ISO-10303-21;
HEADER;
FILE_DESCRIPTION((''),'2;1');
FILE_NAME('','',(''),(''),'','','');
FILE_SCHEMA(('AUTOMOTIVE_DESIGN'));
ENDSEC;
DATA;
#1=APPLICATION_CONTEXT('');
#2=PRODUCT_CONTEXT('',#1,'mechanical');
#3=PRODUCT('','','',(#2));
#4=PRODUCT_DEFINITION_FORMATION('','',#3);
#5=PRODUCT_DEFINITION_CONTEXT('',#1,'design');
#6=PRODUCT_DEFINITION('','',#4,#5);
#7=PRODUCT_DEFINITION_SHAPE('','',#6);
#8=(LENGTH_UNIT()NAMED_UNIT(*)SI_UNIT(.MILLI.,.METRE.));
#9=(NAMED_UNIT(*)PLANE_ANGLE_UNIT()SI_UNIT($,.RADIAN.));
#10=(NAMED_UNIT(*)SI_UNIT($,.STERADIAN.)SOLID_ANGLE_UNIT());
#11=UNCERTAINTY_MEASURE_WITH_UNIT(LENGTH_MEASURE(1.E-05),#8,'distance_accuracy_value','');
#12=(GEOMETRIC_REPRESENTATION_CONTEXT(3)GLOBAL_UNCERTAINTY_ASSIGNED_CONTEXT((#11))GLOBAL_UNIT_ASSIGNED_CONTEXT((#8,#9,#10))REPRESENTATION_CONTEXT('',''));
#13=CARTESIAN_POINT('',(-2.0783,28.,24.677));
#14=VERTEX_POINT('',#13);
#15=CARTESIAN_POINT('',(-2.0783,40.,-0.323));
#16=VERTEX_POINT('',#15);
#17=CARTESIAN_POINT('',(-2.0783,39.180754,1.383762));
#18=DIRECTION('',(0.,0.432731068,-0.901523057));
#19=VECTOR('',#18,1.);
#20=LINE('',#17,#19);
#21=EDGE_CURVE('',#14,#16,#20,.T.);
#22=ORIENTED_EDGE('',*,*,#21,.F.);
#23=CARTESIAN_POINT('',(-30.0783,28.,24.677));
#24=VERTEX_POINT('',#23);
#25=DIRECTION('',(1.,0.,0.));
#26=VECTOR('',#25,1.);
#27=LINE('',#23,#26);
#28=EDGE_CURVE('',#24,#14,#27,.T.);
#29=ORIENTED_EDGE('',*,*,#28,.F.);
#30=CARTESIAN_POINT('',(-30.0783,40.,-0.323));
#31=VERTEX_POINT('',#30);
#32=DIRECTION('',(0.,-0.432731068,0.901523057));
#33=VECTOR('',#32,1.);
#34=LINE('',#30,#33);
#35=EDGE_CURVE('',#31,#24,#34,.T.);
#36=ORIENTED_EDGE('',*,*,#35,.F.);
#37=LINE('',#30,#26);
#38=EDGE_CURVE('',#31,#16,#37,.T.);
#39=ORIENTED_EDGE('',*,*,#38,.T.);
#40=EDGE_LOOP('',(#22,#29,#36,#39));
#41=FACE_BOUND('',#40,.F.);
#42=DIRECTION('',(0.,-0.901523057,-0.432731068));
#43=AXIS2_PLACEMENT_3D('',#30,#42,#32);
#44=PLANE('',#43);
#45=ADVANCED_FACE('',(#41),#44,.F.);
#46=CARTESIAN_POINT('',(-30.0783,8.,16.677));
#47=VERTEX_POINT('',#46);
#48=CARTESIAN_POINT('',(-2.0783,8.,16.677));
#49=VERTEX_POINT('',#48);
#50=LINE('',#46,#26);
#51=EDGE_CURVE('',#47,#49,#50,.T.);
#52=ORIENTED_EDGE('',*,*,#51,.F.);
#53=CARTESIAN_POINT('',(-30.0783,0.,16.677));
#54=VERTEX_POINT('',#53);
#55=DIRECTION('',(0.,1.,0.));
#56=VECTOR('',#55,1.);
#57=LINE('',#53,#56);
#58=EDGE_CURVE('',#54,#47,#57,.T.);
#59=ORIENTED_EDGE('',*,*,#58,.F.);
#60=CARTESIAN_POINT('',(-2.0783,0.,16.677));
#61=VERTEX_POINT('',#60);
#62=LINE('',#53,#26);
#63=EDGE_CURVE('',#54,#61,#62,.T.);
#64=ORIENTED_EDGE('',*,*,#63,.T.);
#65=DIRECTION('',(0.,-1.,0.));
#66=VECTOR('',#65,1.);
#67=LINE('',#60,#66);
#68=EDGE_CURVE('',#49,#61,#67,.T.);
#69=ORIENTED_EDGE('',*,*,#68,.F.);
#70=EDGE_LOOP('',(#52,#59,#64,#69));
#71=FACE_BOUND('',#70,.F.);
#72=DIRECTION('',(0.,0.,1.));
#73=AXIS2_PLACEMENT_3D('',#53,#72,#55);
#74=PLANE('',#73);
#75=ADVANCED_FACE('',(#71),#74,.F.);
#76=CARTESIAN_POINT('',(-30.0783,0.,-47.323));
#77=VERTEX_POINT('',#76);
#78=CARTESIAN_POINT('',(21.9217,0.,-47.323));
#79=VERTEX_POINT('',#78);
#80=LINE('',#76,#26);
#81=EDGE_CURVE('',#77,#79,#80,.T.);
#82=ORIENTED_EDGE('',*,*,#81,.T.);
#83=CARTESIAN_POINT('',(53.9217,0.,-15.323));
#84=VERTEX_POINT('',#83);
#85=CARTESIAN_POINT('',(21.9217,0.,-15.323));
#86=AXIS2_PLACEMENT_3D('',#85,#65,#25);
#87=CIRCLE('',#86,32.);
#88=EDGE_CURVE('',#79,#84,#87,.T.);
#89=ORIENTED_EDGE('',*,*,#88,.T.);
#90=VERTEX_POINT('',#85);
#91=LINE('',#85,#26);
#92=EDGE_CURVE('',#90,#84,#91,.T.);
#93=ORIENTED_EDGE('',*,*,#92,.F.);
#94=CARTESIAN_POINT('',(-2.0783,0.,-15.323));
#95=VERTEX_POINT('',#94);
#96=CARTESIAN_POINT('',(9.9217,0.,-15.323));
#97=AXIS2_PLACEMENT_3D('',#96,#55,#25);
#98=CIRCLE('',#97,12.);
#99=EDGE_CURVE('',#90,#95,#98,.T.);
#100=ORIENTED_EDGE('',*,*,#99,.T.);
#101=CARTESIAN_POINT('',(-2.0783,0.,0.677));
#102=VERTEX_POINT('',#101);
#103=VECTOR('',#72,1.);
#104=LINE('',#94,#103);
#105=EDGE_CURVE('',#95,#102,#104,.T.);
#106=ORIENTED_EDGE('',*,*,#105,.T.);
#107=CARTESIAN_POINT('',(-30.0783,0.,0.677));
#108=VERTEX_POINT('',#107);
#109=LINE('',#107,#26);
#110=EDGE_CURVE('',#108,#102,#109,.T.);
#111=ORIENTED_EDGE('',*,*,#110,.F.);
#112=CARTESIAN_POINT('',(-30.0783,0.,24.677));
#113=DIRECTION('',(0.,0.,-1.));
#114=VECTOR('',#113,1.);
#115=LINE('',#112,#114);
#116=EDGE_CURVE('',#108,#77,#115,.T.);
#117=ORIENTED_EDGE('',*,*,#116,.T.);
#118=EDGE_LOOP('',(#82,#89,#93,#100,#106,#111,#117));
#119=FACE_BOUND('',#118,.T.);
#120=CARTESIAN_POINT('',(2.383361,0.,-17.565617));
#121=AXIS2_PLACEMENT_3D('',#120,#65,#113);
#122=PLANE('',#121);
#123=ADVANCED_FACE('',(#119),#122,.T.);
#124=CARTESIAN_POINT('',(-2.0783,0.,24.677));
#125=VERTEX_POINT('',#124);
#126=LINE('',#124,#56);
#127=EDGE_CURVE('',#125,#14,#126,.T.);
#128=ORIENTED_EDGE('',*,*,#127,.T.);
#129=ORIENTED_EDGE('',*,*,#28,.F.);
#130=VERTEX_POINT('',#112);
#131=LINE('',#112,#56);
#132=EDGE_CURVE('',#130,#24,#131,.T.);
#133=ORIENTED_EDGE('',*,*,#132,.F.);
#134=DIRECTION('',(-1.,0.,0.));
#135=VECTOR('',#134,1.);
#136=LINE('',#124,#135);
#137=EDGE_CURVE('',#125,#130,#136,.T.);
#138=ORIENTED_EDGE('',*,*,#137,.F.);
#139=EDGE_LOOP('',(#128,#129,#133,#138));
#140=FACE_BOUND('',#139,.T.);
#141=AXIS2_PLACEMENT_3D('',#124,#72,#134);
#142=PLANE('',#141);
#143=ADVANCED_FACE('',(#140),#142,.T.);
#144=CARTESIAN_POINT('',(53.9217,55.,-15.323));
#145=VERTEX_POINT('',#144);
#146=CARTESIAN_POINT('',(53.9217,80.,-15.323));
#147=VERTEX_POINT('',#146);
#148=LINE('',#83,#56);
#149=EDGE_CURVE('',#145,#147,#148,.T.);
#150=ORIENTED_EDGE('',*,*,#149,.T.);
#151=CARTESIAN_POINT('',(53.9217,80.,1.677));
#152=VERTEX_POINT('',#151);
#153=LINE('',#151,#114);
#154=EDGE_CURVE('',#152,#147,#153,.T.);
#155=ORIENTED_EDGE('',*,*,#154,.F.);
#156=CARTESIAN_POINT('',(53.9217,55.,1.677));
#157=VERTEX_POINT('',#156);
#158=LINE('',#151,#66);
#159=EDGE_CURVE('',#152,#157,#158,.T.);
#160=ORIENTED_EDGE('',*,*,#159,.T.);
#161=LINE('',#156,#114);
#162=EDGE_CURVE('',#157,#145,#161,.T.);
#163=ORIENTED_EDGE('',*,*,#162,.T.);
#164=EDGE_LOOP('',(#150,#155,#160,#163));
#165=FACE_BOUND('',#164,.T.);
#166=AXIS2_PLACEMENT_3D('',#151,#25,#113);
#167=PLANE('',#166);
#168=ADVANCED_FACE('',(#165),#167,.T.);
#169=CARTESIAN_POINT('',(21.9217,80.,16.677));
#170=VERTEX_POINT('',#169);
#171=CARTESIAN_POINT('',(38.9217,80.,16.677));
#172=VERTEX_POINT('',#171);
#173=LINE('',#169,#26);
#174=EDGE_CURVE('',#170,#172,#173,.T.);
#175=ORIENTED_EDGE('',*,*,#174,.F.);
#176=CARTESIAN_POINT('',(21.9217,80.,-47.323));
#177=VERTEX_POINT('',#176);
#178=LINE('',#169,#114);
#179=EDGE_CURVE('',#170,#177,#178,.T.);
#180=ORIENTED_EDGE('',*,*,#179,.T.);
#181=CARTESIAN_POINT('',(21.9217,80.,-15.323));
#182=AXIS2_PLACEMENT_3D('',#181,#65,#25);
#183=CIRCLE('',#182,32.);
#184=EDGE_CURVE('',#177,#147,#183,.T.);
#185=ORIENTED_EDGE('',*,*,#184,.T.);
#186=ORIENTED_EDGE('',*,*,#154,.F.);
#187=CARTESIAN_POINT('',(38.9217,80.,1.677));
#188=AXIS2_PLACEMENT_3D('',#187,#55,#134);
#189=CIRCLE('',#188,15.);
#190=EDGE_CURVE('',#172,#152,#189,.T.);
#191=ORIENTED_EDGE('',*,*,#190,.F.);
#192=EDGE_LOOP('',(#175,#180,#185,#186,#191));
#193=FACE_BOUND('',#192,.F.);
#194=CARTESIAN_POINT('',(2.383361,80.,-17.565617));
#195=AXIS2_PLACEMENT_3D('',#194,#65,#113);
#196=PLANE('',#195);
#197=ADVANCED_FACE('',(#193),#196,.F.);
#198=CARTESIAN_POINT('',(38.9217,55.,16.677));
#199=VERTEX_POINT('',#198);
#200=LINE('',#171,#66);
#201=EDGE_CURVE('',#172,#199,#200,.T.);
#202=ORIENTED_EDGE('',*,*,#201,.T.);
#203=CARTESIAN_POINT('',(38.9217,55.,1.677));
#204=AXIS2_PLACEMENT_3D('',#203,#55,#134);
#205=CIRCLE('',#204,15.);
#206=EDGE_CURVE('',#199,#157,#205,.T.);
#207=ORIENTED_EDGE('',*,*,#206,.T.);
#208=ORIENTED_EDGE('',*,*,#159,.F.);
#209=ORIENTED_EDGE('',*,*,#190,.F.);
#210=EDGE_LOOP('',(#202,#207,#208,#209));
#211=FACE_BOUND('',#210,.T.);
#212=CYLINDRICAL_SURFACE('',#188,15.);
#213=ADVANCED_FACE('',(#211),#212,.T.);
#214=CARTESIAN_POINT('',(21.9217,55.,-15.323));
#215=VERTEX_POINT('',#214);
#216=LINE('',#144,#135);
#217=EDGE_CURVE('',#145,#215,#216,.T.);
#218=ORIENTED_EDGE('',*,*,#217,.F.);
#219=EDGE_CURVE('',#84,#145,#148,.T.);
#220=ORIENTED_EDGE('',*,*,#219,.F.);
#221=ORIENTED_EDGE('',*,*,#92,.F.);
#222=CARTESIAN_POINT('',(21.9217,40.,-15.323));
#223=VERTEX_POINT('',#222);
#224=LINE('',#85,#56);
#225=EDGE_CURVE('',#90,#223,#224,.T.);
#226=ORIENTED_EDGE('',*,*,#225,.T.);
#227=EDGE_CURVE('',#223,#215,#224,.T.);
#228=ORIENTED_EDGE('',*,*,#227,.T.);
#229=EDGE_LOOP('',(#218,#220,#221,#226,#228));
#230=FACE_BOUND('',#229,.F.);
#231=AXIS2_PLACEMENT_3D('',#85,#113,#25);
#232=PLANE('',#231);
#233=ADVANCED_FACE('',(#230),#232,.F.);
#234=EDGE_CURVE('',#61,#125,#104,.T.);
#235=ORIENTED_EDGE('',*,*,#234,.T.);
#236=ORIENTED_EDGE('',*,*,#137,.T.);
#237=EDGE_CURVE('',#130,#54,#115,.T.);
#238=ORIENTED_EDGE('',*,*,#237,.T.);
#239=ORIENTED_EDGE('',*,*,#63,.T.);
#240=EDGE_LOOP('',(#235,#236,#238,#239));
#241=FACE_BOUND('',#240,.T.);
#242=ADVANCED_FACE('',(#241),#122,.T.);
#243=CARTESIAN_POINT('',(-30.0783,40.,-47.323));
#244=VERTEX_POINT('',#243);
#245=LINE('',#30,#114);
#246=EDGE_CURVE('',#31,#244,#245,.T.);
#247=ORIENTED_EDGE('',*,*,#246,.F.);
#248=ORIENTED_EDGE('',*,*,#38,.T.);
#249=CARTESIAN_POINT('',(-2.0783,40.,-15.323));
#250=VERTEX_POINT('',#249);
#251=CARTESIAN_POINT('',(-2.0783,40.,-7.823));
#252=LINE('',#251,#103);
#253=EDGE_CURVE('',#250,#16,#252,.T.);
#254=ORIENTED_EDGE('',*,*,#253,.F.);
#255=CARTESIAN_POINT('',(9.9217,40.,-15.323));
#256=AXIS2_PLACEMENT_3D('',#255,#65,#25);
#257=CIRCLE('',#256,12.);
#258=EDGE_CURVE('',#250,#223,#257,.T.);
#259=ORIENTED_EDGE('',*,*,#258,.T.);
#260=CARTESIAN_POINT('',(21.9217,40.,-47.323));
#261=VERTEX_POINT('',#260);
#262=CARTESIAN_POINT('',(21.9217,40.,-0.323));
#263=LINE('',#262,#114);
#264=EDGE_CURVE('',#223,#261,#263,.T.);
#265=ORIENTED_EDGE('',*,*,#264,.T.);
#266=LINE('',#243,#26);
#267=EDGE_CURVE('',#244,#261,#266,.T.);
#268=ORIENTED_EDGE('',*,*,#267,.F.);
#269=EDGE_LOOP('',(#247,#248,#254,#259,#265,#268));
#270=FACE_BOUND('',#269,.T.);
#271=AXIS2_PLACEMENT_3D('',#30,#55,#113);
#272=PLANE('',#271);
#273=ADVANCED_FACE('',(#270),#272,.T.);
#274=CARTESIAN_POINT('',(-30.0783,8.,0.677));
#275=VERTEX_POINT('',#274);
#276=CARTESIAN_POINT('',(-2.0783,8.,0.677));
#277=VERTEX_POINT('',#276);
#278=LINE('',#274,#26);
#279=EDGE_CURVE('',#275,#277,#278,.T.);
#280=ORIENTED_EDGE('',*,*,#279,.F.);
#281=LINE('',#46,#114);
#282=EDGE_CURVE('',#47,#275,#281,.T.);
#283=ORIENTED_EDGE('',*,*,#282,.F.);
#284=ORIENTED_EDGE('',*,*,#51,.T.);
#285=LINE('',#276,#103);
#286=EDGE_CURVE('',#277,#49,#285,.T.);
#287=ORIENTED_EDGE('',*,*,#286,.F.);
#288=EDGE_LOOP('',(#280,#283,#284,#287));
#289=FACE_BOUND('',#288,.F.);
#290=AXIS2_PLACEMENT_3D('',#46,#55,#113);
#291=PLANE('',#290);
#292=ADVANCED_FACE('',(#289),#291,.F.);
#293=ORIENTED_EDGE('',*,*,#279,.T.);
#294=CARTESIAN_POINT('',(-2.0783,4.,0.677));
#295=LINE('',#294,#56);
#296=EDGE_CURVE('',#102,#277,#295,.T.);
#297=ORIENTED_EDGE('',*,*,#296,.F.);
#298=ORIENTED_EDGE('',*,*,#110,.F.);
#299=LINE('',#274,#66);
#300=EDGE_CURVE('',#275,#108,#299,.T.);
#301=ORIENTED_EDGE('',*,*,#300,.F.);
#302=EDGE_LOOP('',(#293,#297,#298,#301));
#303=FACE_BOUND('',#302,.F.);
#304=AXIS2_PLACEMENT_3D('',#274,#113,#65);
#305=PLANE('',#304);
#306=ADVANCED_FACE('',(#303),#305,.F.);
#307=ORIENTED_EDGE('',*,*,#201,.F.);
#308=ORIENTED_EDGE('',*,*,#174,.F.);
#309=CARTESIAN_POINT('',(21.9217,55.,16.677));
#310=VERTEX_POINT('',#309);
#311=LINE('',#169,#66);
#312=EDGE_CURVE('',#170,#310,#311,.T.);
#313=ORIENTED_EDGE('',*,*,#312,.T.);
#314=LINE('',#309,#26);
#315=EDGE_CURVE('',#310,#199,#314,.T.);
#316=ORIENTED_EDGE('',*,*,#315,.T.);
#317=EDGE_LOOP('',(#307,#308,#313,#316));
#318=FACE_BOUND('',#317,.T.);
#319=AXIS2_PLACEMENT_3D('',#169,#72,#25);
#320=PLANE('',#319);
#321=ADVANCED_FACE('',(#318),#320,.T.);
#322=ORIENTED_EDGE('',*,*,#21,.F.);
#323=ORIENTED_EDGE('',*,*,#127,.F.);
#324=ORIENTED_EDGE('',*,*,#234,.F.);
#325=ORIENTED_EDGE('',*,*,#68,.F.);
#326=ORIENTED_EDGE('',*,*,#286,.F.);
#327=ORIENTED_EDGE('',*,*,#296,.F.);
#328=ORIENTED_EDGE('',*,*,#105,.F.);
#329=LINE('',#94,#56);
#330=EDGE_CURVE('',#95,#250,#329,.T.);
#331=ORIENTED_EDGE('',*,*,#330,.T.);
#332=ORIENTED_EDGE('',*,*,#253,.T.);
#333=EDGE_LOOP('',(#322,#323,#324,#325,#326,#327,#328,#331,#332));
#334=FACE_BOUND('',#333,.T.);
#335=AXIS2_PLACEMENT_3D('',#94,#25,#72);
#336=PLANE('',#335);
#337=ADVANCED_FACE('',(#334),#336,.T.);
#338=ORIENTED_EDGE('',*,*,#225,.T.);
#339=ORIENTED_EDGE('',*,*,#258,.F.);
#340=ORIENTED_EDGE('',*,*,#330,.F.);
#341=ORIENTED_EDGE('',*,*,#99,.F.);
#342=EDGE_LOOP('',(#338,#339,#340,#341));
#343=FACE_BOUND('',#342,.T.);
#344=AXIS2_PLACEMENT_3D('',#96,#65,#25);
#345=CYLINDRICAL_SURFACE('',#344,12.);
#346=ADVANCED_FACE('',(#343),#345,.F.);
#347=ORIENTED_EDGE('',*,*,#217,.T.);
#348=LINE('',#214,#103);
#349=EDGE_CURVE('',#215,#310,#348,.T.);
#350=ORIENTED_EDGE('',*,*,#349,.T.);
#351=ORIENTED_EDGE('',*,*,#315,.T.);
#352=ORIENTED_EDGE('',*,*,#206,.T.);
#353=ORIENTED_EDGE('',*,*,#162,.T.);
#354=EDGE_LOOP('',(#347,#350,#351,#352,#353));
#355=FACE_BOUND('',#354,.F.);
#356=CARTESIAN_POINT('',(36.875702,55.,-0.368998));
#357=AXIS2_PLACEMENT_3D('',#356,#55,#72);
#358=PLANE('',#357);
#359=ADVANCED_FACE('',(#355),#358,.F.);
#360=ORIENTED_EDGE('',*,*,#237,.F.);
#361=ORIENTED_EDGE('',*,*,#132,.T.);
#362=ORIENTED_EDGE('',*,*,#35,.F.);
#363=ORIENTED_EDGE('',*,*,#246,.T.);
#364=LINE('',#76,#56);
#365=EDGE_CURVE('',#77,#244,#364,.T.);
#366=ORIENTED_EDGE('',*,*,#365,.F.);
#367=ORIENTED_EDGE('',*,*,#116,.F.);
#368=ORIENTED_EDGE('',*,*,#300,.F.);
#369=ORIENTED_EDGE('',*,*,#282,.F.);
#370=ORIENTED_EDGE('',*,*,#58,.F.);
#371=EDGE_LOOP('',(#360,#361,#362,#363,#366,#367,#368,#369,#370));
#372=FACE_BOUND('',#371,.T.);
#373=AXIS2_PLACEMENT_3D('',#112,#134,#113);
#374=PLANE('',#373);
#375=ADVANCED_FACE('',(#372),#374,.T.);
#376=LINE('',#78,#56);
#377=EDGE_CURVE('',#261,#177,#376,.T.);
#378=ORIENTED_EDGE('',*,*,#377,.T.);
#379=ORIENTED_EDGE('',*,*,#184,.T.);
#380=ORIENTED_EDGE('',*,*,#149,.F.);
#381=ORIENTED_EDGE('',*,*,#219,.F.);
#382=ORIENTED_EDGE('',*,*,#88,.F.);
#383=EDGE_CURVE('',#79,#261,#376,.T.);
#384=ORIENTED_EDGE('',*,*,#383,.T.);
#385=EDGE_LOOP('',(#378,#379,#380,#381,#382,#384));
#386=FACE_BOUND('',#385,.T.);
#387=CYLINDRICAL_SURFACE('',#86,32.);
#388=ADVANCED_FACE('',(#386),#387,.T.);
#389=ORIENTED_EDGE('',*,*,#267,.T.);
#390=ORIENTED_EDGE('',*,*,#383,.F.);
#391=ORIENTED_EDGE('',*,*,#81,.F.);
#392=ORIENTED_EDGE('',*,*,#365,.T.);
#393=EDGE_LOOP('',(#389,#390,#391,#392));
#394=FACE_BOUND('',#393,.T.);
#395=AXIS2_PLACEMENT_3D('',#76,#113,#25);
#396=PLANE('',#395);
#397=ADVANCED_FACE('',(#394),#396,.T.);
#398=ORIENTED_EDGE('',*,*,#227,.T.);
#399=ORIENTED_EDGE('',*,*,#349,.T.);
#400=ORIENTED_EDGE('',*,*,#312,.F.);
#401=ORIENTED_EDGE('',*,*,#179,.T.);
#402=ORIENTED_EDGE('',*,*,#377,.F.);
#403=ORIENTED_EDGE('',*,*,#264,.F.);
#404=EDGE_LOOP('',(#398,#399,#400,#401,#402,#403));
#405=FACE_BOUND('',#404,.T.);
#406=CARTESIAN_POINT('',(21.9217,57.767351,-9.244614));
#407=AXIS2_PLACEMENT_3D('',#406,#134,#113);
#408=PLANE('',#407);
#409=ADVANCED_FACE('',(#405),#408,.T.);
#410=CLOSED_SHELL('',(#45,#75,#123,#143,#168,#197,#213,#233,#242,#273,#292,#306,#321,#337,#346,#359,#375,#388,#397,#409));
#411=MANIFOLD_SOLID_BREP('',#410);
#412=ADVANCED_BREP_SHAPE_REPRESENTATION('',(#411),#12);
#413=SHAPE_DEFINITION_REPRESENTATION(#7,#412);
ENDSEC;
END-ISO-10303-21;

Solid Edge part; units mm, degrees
sketch "Sketch1" plane through (0, 0, 0) normal (0, -1, 0) x (1, 0, 0)
  line L0 (-30.0783, 24.677) -> (-30.0783, -47.323)
  line L1 (-30.0783, -47.323) -> (21.9217, -47.323)
  arc A0 (21.9217, -47.323) -> (53.9217, -15.323) centre (21.9217, -15.323) ccw
  line L2 (21.9217, -15.323) -> (53.9217, -15.323)
  arc A1 (21.9217, -15.323) -> (-2.0783, -15.323) centre (9.9217, -15.323) cw
  line L3 (-2.0783, -15.323) -> (-2.0783, 24.677)
  line L4 (-2.0783, 24.677) -> (-30.0783, 24.677)
extrude "Protrusion1" add sketch "Sketch1" against normal blind 80
sketch "Sketch2" plane through (11.9217, 80, -11.323) normal (0, 1, 0) x (-1, 0, 0)
  line L0 (-10, -4) -> (-10, 28)
  line L1 (-10, 28) -> (-27, 28)
  arc A0 (-27, 28) -> (-42, 13) centre (-27, 13) ccw
  line L2 (-42, 13) -> (-42, -4)
  line L3 (-42, -4) -> (-10, -4)
extrude "ExtrudedProtrusion_2" add sketch "Sketch2" against normal blind 25
sketch "Sketch3" plane through (-30.0783, 40, -11.323) normal (-1, 0, 0) x (0, -1, 0)
  line L0 (40, 28) -> (32, 28)
  line L1 (32, 28) -> (32, 12)
  line L2 (32, 12) -> (40, 12)
  line L3 (40, 12) -> (40, 28)
  line L4 (0, 11) -> (12, 36)
  line L5 (12, 36) -> (-40, 36)
  line L6 (-40, 36) -> (-40, -36)
  line L7 (-40, -36) -> (0, -36)
  line L8 (0, 11) -> (0, -36)
extrude "ExtrudedCutout_1" cut sketch "Sketch3" against normal blind 52
